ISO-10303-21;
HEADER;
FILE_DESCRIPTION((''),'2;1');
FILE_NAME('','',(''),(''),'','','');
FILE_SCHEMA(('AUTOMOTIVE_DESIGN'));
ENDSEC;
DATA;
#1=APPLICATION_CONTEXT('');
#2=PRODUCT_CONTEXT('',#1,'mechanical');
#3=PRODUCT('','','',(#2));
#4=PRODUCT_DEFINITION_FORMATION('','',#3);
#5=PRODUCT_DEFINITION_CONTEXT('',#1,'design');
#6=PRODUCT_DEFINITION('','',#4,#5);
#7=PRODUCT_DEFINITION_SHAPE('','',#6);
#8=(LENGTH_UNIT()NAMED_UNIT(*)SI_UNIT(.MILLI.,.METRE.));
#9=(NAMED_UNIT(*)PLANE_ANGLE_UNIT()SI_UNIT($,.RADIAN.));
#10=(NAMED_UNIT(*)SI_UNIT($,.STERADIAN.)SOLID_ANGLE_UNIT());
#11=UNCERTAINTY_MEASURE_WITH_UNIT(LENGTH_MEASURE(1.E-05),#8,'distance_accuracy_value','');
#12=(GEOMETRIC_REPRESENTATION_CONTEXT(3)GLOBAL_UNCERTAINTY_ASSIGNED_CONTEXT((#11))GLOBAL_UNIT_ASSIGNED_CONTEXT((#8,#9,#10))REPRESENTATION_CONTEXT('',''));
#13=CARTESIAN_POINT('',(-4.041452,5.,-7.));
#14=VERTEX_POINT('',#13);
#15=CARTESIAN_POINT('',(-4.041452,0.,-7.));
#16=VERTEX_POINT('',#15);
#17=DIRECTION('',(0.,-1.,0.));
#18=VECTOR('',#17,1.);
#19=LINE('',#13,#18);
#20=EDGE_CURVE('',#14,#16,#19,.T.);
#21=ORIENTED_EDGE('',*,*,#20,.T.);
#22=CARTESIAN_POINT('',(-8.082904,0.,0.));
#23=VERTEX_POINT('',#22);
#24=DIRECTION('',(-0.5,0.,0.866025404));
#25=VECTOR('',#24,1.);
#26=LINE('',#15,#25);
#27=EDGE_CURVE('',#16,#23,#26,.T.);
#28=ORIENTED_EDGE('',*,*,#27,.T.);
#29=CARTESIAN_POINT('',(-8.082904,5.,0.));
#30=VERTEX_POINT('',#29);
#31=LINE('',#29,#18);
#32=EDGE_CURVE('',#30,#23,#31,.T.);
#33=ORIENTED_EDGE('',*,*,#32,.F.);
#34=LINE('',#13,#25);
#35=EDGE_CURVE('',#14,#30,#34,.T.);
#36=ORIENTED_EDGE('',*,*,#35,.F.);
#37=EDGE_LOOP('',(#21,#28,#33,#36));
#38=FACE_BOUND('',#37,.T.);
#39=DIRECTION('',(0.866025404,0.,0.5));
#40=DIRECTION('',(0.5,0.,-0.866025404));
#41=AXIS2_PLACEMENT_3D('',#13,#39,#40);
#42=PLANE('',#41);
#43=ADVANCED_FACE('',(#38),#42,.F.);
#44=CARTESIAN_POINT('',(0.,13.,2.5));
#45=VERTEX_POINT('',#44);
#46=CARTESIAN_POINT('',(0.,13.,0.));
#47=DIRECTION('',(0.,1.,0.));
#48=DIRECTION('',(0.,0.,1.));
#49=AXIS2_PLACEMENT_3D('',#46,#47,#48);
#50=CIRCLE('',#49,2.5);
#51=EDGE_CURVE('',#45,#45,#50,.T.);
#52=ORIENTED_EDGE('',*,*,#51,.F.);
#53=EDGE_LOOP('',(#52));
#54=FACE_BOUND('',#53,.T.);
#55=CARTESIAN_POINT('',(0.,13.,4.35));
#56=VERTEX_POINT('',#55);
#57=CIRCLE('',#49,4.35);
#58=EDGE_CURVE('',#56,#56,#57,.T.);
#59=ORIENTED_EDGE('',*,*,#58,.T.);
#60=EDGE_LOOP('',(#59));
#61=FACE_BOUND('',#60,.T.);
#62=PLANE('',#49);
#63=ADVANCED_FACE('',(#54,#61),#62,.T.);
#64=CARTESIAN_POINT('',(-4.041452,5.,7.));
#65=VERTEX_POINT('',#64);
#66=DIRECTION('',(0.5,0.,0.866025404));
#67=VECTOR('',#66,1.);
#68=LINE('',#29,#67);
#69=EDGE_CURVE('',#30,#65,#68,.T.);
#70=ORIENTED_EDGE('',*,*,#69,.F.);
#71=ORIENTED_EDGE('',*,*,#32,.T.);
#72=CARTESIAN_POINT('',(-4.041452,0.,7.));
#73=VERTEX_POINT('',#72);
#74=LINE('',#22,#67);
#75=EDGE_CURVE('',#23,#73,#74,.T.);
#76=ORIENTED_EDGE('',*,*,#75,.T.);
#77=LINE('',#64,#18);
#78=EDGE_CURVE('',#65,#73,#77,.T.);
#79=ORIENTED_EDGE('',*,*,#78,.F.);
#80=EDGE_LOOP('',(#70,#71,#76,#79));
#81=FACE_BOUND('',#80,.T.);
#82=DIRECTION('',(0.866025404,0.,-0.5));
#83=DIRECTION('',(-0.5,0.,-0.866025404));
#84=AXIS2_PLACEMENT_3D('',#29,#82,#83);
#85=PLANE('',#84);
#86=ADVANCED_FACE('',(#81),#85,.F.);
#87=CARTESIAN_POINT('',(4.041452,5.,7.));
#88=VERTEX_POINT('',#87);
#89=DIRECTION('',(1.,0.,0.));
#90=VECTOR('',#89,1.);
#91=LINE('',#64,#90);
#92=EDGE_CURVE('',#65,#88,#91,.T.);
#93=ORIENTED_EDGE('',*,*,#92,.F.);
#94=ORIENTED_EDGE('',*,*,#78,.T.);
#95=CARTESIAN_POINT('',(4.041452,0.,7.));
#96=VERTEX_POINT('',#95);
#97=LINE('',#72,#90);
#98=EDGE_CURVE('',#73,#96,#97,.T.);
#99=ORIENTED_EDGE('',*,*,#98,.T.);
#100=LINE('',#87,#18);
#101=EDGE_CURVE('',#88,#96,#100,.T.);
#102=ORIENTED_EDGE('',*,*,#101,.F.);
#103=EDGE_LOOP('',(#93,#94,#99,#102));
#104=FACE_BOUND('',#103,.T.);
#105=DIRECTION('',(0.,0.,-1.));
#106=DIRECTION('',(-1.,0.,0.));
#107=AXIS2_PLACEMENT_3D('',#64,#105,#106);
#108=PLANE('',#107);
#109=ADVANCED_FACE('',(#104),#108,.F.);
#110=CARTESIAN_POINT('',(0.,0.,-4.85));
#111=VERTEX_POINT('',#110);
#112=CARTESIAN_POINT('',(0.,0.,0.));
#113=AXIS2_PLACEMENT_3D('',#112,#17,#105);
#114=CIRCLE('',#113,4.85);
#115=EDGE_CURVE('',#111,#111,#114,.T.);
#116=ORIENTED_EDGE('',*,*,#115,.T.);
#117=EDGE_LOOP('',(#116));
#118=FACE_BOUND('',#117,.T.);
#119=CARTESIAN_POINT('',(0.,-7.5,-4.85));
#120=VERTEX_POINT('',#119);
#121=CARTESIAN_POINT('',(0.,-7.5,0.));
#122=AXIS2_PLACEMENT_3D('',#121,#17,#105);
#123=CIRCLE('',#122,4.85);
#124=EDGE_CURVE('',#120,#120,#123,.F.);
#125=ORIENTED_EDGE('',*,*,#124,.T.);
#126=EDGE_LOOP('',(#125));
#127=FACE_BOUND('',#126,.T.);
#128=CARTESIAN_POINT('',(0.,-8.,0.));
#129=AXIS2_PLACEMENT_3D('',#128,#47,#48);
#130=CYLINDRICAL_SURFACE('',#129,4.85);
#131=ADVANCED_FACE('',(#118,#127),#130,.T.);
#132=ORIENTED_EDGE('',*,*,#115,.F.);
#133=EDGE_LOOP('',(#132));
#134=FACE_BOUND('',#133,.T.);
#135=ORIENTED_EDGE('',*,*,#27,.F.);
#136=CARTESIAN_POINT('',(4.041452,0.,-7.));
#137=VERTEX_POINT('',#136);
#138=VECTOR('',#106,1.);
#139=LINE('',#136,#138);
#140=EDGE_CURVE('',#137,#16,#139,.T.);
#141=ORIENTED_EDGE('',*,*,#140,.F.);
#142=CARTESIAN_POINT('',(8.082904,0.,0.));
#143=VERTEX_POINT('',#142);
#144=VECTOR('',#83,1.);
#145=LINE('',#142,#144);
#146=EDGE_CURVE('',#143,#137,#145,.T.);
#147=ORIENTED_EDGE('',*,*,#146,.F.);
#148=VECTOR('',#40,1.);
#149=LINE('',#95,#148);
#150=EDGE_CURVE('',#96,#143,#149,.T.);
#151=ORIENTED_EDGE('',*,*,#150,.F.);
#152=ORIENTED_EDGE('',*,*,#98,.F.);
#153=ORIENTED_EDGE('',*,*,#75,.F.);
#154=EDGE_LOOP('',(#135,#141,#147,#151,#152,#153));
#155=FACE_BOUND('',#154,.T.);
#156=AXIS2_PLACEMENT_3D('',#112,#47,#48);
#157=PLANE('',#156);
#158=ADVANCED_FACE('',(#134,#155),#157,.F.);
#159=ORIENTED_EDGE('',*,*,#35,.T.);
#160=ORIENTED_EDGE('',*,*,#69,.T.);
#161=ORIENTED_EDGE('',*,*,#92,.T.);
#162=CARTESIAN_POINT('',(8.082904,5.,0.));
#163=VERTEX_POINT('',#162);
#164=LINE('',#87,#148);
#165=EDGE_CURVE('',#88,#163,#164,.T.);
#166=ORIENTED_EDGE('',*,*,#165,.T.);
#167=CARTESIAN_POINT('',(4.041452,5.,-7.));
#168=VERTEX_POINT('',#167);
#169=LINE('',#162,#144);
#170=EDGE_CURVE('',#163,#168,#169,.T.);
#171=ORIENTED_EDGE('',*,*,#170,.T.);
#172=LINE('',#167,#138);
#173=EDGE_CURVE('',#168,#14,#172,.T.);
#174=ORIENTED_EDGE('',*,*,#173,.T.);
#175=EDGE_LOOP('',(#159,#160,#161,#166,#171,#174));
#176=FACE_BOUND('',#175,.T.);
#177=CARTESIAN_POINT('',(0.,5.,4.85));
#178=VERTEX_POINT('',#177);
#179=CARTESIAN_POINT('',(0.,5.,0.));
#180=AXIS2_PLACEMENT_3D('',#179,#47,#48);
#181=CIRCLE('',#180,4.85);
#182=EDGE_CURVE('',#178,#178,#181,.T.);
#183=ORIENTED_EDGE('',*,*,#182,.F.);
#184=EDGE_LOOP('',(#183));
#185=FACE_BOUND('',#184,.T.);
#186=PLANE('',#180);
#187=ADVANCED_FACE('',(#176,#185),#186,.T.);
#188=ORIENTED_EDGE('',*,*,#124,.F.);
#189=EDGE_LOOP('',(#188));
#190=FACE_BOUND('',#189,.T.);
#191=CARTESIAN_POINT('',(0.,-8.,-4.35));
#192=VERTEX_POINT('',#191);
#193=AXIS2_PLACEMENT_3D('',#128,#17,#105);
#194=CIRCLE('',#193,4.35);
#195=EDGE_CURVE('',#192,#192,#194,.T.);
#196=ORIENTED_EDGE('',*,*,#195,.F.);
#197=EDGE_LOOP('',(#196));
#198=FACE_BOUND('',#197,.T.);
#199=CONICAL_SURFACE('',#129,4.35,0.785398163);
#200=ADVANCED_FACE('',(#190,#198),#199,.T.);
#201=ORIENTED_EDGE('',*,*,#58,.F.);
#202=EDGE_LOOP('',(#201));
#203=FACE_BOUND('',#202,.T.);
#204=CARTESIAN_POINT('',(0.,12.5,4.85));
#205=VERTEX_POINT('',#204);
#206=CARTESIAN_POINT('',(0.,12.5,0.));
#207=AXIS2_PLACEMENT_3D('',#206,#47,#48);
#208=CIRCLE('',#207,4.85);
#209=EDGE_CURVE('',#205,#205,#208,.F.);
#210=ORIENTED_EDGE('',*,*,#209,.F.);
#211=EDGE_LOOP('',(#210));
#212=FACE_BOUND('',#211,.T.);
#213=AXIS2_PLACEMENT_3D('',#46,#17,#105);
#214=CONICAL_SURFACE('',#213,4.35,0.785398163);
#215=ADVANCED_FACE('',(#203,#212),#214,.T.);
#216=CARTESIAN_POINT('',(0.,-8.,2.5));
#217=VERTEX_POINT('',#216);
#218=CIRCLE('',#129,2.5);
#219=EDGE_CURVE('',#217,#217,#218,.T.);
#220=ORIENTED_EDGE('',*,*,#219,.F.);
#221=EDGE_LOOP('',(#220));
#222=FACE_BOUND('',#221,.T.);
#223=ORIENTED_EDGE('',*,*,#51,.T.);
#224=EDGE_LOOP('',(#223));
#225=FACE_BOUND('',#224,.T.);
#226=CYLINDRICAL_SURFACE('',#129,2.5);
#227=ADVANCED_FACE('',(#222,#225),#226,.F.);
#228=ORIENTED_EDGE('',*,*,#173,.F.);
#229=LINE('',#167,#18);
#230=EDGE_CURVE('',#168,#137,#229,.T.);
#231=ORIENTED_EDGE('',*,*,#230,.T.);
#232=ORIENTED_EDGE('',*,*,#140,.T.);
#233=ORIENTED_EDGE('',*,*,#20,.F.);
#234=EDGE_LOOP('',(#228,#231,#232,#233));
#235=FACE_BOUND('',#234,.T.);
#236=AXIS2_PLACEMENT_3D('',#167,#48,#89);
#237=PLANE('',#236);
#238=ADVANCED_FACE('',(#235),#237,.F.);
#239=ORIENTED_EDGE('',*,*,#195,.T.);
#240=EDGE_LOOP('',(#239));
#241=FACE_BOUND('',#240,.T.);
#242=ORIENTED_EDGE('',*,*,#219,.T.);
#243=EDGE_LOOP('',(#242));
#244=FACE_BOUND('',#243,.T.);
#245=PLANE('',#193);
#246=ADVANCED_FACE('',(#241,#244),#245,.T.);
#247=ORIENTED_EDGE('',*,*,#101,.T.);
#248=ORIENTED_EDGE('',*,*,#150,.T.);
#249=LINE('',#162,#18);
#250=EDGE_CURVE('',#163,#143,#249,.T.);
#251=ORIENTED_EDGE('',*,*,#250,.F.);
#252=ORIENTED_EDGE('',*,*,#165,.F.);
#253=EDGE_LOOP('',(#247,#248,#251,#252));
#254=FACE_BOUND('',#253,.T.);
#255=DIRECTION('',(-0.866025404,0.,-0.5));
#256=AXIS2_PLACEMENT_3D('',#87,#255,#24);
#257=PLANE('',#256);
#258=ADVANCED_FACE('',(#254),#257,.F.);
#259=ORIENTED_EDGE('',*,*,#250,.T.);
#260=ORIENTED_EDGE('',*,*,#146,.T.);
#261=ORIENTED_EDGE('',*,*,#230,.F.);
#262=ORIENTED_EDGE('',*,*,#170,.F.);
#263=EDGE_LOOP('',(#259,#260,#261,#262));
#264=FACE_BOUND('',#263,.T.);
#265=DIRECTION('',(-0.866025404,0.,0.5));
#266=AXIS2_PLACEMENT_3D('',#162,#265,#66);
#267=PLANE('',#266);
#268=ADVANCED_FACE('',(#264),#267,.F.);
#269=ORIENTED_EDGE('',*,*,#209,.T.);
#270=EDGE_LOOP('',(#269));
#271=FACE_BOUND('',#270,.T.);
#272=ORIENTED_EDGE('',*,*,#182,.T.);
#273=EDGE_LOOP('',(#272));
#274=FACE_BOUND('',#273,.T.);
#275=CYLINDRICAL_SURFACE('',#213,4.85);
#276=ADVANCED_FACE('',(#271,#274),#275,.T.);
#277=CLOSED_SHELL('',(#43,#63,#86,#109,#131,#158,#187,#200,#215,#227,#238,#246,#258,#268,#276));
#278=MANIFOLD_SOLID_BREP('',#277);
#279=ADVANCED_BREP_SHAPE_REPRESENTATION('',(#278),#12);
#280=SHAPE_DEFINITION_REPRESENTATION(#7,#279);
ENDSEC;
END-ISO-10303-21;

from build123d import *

# Parameters (mm, degrees)
BOSS_EXTRUDE1_DEPTH = 5
SKETCH2_R           = 4.85
BOSS_EXTRUDE2_DEPTH = 8
SKETCH3_R           = 4.85
BOSS_EXTRUDE3_DEPTH = 8
CHAMFER1_SIZE       = 0.5
SKETCH4_R           = 2.5
CUT_EXTRUDE1_DEPTH  = 22


with BuildPart() as part:
    # Sketch1 → Boss-Extrude1 (new body)
    with BuildSketch(Plane(origin=(0, 0, 0), x_dir=(1, 0, 0), z_dir=(0, 1, 0))):
        Polygon((4.041451884, -7), (8.082903769, 0), (4.041451884, 7), (-4.041451884, 7), (-8.082903769, 0), (-4.041451884, -7), align=None)
    extrude(amount=BOSS_EXTRUDE1_DEPTH)

    # Sketch2 → Boss-Extrude2 (add)
    with BuildSketch(Plane(origin=(0, 5, 0), x_dir=(1, 0, 0), z_dir=(0, 1, 0))):
        Circle(SKETCH2_R)
    extrude(amount=BOSS_EXTRUDE2_DEPTH)

    # Sketch3 → Boss-Extrude3 (add)
    with BuildSketch(Plane.XZ):
        Circle(SKETCH3_R)
    extrude(amount=BOSS_EXTRUDE3_DEPTH)

    # Chamfer1
    chamfer1_edges = [part.edges().sort_by_distance(p)[0] for p in [
        (-4.85, 13, 0),
        (-4.85, -8, 0),
    ]]
    chamfer(chamfer1_edges, length=CHAMFER1_SIZE)

    # Sketch4 → Cut-Extrude1 (cut, through all)
    with BuildSketch(Plane(origin=(0, 13, 0), x_dir=(1, 0, 0), z_dir=(0, 1, 0))):
        Circle(SKETCH4_R)
    extrude(amount=-CUT_EXTRUDE1_DEPTH, mode=Mode.SUBTRACT)


solid = part.part
